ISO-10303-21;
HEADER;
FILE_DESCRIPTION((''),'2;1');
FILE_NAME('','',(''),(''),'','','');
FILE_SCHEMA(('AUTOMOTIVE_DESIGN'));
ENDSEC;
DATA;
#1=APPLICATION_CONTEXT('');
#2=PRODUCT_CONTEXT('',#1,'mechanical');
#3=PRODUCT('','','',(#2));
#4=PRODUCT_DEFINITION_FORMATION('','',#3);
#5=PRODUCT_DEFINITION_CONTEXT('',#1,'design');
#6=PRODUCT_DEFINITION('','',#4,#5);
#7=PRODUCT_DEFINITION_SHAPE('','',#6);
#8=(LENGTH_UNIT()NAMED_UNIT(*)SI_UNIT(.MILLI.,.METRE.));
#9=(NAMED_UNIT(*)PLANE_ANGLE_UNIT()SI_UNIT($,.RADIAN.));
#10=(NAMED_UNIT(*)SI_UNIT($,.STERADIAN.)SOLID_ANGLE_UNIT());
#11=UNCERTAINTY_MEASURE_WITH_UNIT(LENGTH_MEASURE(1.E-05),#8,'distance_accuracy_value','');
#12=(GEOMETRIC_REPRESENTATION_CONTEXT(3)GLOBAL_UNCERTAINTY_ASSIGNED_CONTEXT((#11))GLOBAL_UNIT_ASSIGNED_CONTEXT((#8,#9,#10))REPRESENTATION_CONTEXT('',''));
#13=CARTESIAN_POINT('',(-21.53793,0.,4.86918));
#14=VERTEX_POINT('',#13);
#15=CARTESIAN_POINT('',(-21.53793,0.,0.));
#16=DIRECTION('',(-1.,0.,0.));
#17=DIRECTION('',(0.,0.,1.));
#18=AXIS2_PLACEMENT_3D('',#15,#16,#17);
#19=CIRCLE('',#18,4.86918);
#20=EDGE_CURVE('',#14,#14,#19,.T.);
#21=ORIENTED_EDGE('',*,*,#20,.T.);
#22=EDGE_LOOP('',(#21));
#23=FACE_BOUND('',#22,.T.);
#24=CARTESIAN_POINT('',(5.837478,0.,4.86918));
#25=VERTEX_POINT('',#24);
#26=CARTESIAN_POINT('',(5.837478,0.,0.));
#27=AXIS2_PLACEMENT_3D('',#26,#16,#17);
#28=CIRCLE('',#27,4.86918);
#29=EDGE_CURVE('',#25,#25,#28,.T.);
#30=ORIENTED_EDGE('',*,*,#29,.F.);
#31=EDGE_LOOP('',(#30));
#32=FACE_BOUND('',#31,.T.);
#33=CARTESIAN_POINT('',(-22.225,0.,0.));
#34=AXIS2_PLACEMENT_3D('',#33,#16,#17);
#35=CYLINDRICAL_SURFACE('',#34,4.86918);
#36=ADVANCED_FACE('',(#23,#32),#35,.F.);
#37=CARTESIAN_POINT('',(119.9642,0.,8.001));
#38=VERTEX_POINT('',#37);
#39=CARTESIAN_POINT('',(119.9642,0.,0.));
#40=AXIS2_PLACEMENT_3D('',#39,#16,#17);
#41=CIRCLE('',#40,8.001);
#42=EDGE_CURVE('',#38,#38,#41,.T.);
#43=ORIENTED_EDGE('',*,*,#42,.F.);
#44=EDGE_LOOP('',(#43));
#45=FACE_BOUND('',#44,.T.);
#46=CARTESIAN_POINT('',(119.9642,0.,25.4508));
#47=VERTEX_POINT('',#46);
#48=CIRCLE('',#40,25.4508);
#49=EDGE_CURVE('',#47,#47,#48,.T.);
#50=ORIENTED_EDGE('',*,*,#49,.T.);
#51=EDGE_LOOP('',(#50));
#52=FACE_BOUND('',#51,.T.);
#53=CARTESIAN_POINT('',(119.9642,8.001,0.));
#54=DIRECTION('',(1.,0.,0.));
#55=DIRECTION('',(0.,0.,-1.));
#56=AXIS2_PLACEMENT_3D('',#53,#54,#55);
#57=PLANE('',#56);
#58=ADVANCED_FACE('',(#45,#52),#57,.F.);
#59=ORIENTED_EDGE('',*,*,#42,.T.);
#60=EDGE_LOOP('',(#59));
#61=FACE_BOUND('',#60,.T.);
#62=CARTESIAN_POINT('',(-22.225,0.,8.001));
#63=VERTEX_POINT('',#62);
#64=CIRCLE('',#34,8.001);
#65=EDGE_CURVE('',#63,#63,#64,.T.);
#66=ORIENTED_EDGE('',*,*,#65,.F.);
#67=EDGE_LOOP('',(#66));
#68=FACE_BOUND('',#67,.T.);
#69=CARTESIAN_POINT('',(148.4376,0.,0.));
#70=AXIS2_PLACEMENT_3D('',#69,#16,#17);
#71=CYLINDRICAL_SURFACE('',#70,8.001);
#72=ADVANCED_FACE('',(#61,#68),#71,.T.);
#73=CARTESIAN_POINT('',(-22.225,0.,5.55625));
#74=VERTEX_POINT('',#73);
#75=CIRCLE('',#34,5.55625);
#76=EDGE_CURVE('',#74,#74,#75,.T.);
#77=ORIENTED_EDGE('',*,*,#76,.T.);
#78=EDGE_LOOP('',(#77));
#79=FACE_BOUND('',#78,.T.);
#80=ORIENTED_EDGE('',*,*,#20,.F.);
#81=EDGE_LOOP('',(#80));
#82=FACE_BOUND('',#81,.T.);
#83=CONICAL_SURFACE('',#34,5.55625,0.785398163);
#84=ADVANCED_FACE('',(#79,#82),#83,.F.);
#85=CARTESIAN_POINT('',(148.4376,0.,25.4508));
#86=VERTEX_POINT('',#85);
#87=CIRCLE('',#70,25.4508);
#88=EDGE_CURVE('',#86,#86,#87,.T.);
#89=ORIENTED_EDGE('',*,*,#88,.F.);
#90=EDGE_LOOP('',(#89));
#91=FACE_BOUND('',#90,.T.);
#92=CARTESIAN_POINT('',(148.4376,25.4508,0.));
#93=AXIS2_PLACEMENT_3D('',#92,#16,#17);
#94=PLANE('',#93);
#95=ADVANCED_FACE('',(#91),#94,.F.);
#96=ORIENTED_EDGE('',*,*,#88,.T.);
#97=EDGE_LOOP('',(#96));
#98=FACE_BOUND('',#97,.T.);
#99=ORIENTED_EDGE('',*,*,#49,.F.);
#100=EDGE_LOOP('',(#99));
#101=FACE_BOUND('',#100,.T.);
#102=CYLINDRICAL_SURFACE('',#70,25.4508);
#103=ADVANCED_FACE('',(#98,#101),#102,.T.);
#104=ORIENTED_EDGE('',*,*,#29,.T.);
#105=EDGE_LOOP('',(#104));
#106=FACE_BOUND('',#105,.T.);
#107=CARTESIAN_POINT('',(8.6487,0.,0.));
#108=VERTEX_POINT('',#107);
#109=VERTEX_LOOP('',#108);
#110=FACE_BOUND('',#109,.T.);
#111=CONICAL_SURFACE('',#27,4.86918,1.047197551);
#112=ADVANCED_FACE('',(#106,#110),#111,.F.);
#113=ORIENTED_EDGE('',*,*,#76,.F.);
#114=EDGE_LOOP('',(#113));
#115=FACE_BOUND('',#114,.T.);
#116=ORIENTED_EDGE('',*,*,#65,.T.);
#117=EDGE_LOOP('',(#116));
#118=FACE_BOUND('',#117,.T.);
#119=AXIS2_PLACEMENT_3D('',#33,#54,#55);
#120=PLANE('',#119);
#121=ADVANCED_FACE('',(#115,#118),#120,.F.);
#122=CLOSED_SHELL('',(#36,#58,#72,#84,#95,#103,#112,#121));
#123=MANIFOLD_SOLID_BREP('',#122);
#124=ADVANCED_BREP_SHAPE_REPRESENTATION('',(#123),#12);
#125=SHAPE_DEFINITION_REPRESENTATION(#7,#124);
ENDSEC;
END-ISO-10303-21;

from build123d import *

# Parameters (mm, degrees)
HOLE1_D           = 9.73836
HOLE1_DEPTH       = 28.062477616
HOLE1_CSINK_D     = 11.1125
HOLE1_CSINK_ANGLE = 90
HOLE1_TIP         = 2.811222384


with BuildPart() as part:
    # Sketch1 → Revolve1 (revolve)
    with BuildSketch(Plane.XY):
        Polygon((-22.225, 0), (-22.225, 8.001), (119.9642, 8.001), (119.9642, 25.4508), (148.4376, 25.4508), (148.4376, 0), align=None)
    revolve(axis=Axis((148.4376, 0, 0), (-1, 0, 0)))

    # Hole1
    with Locations(Plane.ZY.offset(22.225)):
        with Locations((0, 0)):
            CounterSinkHole(HOLE1_D / 2, HOLE1_CSINK_D / 2, depth=HOLE1_DEPTH, counter_sink_angle=HOLE1_CSINK_ANGLE)
            with Locations((0, 0, -(HOLE1_DEPTH + HOLE1_TIP / 2))):  # 120° drill point
                Cone(0, HOLE1_D / 2, HOLE1_TIP, mode=Mode.SUBTRACT)


solid = part.part
